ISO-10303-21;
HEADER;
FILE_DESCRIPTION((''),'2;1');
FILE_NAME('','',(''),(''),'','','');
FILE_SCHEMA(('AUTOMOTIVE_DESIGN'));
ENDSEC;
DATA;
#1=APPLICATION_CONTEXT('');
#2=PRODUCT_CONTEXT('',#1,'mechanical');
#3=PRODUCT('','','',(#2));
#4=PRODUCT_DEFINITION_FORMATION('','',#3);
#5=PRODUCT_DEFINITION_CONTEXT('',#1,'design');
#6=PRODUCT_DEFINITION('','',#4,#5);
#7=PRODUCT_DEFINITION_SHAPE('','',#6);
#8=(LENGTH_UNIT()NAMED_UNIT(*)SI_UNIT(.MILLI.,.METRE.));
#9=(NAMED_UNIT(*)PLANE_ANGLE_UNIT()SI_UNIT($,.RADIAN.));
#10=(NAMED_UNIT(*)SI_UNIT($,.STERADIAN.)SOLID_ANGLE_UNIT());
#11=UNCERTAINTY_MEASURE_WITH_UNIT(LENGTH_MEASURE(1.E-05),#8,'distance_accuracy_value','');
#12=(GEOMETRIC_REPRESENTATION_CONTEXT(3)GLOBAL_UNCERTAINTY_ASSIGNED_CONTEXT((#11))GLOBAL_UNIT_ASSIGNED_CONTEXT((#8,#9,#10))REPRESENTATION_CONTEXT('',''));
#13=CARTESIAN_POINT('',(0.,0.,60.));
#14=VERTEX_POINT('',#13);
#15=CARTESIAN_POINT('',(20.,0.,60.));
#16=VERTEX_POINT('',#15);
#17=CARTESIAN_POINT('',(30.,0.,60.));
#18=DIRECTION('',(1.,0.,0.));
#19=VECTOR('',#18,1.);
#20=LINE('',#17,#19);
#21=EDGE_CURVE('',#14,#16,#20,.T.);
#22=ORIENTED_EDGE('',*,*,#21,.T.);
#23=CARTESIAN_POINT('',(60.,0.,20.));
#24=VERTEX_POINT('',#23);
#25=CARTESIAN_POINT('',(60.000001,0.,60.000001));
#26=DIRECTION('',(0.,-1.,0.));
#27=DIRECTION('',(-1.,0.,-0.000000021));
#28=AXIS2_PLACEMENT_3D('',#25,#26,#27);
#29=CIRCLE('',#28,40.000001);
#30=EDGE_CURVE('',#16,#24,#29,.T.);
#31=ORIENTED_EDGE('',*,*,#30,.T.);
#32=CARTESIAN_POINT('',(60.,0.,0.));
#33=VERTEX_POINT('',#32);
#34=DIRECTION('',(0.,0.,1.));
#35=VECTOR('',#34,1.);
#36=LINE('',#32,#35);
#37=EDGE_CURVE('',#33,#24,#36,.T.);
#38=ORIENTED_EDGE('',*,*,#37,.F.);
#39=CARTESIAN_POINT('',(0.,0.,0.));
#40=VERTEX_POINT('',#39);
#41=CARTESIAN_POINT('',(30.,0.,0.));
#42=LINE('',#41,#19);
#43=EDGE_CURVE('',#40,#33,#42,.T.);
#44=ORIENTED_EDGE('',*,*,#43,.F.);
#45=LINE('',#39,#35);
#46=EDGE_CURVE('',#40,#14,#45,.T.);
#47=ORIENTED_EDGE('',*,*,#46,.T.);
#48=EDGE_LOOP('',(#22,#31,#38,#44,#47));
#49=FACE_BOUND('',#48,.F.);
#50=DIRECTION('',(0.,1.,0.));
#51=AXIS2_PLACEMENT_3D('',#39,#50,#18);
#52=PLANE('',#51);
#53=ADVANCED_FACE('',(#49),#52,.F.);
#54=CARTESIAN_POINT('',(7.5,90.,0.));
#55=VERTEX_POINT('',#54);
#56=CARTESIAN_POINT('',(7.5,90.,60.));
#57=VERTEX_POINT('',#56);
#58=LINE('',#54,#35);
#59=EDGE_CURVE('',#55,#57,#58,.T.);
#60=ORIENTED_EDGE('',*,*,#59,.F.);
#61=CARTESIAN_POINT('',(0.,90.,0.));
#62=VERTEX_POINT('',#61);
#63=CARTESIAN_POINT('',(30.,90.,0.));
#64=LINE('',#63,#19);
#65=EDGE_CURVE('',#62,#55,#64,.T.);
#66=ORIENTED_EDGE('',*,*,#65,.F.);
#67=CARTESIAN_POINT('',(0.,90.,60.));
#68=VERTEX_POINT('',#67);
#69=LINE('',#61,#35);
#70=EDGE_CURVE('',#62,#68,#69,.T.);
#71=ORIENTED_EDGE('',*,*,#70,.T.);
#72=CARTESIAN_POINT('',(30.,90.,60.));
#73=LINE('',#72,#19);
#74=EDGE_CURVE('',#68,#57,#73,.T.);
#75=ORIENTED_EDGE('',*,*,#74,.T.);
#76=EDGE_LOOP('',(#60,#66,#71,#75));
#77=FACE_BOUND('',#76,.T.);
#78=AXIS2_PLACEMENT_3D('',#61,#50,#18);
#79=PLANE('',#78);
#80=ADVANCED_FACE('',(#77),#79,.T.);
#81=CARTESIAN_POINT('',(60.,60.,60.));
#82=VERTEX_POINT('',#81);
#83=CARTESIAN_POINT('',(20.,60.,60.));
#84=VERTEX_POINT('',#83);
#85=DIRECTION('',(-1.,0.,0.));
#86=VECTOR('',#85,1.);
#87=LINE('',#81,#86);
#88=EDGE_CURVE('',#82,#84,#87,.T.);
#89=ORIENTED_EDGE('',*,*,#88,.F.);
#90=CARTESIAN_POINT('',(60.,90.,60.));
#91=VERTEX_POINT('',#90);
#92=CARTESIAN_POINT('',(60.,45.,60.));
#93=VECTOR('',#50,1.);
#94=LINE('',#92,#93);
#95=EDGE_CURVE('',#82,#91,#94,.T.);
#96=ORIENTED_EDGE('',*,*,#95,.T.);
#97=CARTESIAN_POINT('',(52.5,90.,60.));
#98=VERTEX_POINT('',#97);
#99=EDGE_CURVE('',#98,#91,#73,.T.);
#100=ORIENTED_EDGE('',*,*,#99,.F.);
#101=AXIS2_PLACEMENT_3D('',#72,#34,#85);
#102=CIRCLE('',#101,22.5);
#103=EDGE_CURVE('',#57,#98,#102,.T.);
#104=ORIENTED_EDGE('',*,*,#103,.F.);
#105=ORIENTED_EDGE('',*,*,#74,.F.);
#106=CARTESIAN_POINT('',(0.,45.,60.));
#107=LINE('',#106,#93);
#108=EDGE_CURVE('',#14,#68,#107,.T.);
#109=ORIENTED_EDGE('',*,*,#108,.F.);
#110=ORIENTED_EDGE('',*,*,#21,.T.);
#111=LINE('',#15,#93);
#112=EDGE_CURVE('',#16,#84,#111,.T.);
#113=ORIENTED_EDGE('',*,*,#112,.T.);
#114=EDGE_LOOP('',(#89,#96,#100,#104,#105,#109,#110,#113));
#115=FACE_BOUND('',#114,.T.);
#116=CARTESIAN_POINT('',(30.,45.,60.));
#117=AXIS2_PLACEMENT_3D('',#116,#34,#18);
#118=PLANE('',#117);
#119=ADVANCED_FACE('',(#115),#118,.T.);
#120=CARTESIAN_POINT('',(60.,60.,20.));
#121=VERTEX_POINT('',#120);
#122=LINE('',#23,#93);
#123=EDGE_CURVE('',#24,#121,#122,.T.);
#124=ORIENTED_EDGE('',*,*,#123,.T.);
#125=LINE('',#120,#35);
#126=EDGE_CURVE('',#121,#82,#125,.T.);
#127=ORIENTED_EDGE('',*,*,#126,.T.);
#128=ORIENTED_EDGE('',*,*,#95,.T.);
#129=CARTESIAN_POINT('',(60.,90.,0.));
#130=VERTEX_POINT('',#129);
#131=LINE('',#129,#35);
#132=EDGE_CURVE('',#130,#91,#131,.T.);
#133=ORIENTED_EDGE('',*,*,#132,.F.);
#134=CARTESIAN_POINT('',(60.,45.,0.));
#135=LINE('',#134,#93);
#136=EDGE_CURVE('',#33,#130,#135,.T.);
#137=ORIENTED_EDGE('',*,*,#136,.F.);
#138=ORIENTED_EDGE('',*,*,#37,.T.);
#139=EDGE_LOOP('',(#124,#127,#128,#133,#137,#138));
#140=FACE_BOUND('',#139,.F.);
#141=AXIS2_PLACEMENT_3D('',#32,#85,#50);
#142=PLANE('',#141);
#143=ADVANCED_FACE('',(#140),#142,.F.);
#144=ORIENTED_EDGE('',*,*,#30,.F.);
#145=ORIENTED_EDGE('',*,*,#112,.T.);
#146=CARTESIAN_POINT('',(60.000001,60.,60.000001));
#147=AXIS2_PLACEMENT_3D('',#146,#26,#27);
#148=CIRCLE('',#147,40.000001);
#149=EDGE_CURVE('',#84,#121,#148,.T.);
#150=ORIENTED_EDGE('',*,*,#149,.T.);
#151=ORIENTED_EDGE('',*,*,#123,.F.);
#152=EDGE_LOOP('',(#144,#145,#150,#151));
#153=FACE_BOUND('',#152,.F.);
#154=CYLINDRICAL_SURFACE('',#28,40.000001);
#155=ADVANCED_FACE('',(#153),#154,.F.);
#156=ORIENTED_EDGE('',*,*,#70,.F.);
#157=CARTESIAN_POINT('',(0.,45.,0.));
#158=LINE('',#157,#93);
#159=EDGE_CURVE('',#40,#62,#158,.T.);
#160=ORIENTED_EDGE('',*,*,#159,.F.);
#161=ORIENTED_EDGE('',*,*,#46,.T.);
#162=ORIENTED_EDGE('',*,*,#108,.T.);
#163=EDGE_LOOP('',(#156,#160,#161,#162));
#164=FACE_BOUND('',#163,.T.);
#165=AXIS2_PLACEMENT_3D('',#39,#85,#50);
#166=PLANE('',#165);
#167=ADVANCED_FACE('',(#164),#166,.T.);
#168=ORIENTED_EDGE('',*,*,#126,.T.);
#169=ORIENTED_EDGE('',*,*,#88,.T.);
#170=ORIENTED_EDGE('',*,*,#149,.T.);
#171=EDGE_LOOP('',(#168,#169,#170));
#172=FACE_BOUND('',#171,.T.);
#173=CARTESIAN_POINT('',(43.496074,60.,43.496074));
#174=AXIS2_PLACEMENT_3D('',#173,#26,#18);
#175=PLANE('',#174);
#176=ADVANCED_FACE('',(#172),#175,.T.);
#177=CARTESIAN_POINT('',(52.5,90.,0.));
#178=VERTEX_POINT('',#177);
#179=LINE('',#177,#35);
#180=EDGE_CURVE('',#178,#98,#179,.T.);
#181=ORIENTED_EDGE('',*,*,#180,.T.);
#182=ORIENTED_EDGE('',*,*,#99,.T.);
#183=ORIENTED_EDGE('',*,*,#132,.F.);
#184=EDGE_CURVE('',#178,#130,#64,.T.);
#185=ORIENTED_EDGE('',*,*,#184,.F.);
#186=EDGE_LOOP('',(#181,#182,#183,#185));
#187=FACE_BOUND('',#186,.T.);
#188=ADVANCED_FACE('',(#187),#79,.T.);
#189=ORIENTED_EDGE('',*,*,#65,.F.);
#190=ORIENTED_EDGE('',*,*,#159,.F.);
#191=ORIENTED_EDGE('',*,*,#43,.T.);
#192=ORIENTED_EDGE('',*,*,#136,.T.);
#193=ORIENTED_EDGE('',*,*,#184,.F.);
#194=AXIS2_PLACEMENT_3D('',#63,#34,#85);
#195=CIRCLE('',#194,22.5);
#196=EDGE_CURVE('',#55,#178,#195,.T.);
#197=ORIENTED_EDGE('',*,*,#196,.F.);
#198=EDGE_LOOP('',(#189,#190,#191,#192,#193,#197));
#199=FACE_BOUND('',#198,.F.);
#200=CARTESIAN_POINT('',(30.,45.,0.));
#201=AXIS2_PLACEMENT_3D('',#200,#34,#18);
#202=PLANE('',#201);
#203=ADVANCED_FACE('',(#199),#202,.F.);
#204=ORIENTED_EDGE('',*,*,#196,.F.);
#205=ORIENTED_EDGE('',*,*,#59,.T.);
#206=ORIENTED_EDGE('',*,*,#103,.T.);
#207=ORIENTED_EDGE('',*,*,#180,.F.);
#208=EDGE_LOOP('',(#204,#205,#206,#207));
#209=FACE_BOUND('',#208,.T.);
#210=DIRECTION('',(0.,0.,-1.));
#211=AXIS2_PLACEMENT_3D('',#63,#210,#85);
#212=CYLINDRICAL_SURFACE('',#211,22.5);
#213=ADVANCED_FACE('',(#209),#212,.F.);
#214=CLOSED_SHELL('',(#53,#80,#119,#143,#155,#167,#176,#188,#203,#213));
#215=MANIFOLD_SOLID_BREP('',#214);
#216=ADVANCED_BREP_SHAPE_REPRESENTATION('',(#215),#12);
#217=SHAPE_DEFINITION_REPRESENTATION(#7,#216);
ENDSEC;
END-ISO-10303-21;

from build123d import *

# Parameters (mm, degrees)
F0_W     = 60
F0_H     = 90
F1_DEPTH = 60
F3_DEPTH = 60
F5_DEPTH = 60


with BuildPart() as f1:
    # F0 (on Top) → F1 (new body)
    with BuildSketch(Plane.XY):
        with Locations((30, 45)):
            Rectangle(F0_W, F0_H)
    extrude(amount=F1_DEPTH)

    # F2 (on Top) → F3 (cut)
    with BuildSketch(Plane.XY):
        with BuildLine():
            Line((30, 90), (7.5, 90))
            ThreePointArc((7.5, 90), (30, 67.5), (52.5, 90))
            Line((52.5, 90), (30, 90))
        make_face()
    extrude(amount=F3_DEPTH, mode=Mode.SUBTRACT)

    # F4 (on Front) → F5 (cut)
    with BuildSketch(Plane.XZ):
        with BuildLine():
            Line((60, 60), (20, 60))
            ThreePointArc((20, 60), (31.715729, 31.715729), (60, 20))
            Line((60, 20), (60, 60))
        make_face()
    extrude(amount=-F5_DEPTH, mode=Mode.SUBTRACT)


solid = f1.part
